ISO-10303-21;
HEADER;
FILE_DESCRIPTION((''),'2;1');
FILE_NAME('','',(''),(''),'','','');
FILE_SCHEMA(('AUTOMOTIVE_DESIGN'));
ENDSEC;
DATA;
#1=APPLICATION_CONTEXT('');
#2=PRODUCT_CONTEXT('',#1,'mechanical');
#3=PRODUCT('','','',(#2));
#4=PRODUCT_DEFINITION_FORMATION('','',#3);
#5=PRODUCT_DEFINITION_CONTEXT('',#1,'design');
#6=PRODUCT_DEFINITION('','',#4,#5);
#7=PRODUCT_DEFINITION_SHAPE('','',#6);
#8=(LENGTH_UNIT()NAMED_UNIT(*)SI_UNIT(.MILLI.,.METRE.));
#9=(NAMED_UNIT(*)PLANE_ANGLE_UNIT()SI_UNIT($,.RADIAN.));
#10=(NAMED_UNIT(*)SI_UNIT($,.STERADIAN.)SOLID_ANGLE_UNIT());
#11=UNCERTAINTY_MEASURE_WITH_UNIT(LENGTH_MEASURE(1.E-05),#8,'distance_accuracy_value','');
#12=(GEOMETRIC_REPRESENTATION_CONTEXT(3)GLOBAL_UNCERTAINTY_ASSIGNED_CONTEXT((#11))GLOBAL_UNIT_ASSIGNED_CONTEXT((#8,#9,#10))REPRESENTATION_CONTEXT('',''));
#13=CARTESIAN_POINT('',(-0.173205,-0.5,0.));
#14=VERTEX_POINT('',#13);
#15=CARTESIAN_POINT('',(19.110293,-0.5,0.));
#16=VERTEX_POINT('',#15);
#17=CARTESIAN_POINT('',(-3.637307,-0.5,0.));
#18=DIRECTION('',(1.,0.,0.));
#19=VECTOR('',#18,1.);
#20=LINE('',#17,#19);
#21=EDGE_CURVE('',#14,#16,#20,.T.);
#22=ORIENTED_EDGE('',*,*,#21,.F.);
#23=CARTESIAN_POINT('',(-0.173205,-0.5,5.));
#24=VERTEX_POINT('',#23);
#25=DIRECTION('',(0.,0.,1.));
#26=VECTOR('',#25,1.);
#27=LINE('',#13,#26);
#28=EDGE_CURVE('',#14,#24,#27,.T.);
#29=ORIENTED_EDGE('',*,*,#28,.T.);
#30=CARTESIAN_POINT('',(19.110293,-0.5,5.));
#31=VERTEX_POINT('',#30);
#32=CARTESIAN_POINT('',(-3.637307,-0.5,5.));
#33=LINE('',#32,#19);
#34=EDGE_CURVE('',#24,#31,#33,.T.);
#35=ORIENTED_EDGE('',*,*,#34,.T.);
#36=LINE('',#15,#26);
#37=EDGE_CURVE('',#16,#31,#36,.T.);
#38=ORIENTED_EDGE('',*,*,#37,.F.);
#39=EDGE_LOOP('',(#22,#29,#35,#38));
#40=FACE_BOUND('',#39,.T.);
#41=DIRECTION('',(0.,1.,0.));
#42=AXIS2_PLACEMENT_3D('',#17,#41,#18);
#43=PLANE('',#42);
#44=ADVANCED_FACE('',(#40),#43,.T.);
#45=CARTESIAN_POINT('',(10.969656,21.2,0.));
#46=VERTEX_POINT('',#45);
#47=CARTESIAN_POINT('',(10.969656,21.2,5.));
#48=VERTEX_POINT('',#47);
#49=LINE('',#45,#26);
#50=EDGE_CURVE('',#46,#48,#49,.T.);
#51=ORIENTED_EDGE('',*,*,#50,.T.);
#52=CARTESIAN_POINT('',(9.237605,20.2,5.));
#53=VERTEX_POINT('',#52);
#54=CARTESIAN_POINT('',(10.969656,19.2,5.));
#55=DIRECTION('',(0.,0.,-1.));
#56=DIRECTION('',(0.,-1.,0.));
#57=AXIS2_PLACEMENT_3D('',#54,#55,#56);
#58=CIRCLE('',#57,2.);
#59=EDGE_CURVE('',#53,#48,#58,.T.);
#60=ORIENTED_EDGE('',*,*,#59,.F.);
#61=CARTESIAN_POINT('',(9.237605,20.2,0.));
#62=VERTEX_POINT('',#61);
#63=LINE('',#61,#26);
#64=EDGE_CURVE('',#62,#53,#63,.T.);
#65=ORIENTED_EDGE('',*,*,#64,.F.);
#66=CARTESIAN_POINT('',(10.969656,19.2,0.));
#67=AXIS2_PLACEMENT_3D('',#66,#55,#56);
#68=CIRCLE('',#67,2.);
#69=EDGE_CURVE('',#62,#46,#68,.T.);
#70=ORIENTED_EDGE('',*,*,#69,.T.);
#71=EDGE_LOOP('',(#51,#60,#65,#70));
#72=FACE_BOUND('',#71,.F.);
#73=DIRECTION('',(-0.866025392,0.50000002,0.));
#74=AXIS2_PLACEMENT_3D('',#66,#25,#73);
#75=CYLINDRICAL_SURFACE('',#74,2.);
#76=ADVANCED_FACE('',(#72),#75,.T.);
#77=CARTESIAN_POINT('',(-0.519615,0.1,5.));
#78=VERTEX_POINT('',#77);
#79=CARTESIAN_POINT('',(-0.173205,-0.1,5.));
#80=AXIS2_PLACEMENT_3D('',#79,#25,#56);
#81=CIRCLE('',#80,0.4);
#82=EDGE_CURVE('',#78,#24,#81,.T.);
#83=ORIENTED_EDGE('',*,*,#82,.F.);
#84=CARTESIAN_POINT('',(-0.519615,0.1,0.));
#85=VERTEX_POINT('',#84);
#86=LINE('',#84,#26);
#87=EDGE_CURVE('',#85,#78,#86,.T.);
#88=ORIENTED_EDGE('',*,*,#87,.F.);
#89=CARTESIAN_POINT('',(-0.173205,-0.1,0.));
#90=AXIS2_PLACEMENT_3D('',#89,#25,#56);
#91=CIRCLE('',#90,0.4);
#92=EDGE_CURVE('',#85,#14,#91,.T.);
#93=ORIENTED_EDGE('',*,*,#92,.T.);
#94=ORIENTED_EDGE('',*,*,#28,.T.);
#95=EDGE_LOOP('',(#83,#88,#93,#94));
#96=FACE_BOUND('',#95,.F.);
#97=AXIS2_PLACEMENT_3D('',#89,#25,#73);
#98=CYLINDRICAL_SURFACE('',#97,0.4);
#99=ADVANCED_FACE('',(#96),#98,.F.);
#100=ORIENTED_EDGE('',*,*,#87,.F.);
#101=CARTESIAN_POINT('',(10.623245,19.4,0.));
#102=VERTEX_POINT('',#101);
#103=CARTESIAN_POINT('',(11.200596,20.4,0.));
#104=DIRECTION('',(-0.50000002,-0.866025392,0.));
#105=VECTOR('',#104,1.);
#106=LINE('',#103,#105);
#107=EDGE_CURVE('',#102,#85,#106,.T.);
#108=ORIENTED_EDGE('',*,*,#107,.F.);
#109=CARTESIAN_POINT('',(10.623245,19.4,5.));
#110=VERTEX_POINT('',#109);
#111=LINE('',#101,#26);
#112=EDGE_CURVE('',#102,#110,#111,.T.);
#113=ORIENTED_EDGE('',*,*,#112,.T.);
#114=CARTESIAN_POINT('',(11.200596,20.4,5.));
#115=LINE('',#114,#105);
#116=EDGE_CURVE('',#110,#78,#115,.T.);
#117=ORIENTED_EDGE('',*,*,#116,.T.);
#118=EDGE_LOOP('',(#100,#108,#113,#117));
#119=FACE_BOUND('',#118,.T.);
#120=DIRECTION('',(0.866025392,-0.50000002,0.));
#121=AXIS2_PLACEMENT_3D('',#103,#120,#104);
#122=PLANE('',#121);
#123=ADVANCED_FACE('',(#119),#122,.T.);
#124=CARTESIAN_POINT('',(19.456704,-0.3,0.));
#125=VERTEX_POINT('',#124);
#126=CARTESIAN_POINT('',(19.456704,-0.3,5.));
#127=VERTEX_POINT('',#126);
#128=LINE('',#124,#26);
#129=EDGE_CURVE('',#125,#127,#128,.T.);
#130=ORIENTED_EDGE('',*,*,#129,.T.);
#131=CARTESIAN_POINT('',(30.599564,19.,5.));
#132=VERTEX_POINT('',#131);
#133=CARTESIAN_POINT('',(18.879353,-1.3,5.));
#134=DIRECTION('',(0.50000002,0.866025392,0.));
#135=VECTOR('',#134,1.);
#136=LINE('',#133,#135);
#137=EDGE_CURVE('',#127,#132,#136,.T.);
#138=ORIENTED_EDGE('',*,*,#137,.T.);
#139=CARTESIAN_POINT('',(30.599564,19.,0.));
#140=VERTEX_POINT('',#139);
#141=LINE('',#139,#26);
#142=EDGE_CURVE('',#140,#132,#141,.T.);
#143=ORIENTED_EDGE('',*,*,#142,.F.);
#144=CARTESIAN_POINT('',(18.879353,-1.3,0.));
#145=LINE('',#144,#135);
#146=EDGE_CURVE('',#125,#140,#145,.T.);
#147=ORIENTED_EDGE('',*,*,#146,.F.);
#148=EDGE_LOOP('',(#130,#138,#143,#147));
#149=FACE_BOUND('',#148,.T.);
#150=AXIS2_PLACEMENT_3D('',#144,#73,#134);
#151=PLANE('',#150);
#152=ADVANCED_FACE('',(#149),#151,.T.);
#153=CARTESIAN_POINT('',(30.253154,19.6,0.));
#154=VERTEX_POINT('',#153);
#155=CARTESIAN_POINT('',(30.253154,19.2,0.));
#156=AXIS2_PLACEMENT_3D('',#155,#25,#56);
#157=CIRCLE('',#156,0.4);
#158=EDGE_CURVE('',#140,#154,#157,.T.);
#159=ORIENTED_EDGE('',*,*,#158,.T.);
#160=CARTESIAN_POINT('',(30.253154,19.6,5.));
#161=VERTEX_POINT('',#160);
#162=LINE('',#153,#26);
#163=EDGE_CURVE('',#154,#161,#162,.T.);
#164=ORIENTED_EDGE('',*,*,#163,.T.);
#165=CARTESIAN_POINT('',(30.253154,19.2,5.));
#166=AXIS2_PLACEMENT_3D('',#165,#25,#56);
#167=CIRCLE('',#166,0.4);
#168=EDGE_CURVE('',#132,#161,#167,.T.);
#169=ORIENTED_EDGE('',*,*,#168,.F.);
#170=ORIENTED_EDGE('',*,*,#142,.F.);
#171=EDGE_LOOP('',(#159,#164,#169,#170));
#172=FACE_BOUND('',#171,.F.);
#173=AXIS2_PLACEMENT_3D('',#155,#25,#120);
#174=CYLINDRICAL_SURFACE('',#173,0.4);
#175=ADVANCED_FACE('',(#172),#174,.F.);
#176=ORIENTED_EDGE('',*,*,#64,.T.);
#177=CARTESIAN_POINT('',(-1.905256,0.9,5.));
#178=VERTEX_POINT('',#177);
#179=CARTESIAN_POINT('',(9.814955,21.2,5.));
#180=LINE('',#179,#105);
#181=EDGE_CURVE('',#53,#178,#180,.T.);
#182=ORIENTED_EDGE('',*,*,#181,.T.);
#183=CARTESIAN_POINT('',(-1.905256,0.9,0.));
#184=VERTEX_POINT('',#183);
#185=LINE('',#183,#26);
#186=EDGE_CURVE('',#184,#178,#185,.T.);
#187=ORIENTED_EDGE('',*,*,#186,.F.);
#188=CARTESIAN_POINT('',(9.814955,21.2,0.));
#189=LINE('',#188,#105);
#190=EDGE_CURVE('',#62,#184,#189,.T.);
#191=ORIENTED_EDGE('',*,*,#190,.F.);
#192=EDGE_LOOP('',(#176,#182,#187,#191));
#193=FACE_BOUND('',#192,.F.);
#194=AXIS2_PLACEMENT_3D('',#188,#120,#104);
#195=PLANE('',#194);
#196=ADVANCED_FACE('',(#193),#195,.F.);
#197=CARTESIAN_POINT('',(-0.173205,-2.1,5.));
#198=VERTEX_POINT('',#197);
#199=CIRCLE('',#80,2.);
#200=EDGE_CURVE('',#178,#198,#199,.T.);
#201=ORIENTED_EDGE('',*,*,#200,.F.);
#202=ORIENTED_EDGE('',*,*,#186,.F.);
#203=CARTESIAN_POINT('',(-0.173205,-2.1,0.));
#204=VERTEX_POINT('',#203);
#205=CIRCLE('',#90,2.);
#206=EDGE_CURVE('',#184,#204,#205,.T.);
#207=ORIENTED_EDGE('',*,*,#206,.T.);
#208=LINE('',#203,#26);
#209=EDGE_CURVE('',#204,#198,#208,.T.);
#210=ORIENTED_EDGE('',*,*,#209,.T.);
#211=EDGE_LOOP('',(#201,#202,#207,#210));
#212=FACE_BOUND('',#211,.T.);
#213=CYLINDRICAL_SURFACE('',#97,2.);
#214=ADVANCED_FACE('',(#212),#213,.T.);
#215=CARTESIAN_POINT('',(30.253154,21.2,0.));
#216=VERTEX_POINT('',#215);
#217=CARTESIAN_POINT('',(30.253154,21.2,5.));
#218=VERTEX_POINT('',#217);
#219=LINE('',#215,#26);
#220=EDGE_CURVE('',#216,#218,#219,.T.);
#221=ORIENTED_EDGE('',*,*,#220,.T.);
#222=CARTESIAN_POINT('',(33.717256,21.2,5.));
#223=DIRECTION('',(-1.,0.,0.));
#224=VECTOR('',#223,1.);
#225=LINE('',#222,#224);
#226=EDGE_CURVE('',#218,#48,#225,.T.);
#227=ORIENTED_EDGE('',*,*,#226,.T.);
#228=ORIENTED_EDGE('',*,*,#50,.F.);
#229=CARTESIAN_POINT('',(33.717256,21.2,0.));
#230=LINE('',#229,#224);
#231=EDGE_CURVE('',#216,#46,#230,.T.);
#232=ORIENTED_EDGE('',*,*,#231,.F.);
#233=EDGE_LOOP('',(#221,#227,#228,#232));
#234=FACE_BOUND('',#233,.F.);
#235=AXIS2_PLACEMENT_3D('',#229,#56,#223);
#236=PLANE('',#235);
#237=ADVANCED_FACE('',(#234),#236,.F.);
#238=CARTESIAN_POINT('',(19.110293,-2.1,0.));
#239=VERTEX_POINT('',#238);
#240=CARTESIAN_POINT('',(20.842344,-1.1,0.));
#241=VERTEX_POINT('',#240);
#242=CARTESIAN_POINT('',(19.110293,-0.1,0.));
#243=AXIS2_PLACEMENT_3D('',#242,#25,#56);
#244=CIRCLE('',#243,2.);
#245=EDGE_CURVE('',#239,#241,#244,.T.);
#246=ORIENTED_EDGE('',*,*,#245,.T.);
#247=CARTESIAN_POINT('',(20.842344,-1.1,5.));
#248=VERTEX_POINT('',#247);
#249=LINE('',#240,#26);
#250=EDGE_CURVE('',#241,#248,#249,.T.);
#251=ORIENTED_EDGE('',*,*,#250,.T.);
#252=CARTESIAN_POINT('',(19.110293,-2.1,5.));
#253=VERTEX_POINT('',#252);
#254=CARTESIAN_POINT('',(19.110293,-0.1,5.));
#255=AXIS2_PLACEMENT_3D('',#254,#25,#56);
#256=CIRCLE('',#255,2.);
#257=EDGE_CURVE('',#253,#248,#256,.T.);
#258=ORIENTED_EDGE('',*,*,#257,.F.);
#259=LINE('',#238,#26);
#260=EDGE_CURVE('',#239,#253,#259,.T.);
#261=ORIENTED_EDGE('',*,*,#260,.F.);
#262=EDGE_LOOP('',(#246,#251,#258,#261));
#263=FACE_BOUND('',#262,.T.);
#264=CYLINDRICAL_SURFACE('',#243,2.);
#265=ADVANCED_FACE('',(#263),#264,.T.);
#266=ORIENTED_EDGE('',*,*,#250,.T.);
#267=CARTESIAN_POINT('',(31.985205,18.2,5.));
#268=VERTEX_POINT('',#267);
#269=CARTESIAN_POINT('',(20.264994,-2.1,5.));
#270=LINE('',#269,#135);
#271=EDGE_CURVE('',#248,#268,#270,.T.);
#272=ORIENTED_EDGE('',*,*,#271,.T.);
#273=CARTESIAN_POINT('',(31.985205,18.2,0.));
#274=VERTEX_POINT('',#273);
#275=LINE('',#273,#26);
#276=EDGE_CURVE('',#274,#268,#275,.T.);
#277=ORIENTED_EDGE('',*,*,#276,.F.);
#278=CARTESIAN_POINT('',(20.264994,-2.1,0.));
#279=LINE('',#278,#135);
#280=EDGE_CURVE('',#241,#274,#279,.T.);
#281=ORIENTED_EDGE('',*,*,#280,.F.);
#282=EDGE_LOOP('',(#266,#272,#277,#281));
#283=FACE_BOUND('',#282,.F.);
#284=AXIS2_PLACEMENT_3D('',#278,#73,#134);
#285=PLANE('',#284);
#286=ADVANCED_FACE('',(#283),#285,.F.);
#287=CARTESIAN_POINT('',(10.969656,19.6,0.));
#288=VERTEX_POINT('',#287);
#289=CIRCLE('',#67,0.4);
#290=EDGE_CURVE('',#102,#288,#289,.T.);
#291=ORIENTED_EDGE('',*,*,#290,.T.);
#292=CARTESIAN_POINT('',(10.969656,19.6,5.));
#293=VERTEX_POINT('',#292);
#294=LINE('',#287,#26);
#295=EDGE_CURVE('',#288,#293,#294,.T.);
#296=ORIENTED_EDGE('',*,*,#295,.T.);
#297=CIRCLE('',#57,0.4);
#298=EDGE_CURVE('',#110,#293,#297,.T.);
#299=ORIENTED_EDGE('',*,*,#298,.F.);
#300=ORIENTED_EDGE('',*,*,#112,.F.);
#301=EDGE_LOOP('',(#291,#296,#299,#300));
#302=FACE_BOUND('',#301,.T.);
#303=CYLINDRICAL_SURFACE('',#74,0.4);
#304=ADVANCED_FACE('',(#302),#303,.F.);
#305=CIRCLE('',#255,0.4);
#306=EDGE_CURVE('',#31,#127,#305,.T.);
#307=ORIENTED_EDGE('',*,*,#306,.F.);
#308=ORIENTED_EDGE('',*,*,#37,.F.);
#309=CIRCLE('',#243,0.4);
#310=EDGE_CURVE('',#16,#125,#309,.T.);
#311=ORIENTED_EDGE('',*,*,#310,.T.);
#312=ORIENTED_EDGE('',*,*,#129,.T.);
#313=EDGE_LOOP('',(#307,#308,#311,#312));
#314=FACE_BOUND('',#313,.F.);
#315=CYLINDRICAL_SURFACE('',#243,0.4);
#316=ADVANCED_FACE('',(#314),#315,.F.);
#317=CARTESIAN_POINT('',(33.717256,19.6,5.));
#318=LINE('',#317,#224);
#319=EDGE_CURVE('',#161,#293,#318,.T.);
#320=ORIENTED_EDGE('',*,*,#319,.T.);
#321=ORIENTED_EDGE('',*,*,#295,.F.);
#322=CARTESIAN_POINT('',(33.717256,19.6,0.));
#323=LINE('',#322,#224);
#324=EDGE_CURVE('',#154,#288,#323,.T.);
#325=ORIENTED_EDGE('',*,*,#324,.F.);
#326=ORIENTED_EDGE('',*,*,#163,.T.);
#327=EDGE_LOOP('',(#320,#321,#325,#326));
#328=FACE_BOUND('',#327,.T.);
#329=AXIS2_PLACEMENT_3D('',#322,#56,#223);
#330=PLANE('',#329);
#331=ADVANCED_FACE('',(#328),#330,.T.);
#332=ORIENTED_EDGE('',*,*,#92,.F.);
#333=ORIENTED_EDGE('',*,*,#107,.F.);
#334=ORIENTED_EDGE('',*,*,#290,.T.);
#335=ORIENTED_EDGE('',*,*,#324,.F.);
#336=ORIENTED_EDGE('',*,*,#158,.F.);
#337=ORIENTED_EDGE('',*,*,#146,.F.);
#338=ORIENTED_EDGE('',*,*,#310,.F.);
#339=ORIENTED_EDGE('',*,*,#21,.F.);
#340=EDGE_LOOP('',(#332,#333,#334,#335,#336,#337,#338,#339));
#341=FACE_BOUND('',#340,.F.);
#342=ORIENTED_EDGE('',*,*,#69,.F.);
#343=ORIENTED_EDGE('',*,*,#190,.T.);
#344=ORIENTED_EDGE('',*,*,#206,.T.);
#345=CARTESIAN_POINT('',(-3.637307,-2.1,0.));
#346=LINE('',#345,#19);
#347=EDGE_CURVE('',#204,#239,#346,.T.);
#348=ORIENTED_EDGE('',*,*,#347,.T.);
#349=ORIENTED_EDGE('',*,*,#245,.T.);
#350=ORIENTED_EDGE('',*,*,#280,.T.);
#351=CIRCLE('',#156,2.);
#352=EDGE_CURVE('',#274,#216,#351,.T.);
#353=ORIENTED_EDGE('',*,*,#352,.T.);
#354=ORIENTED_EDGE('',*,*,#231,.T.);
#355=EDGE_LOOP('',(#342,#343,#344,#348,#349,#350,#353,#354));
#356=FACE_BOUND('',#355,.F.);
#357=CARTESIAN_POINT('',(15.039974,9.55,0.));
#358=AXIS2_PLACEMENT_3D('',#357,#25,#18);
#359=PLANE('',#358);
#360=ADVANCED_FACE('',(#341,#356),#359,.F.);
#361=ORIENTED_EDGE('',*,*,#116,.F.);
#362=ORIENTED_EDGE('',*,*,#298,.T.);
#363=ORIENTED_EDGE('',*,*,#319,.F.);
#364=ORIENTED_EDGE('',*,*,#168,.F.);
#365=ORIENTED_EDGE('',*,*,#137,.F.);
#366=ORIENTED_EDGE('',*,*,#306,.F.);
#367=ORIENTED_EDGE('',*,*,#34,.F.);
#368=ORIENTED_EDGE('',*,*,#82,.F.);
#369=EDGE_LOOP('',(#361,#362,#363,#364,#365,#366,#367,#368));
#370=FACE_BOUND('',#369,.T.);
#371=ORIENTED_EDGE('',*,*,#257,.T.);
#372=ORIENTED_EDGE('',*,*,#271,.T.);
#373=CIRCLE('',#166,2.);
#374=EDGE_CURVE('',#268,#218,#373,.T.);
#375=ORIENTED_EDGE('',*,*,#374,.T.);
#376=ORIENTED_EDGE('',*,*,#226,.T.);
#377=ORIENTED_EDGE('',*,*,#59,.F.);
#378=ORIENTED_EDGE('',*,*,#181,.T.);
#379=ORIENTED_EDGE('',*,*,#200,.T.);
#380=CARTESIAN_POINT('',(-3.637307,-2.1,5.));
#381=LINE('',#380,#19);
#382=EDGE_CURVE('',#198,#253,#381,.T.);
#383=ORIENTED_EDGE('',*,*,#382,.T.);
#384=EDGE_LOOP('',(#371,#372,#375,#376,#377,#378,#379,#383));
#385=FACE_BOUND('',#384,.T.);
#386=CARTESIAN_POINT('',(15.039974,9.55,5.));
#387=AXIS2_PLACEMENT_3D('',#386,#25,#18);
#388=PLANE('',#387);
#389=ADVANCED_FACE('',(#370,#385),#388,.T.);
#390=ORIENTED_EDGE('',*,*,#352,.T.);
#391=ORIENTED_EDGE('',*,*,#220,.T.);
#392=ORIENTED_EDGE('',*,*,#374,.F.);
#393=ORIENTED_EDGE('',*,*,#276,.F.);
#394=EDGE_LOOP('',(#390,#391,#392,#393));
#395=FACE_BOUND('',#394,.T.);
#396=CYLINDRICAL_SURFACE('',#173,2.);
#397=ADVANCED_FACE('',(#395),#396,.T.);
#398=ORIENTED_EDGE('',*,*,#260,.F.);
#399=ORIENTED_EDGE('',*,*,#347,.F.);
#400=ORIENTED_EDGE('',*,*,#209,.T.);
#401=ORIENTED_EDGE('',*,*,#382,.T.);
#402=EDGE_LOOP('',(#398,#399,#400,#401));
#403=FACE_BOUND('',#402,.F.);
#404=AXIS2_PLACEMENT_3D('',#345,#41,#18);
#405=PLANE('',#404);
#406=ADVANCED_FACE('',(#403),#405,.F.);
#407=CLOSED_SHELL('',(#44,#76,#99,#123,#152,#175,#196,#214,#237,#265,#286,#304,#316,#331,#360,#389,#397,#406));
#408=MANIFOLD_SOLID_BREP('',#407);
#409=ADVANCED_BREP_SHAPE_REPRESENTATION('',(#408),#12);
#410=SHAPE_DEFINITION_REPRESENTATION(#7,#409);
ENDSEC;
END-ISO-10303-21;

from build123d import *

# Parameters (mm, degrees)
F1_DEPTH = 5
F2_R     = 2
F3_T     = -1.6


with BuildPart() as f1:
    # F0 (on Top) → F1 (new body)
    with BuildSketch(Plane.XY):
        Polygon((9.814955, 21.2), (-3.637307, -2.1), (20.264994, -2.1), (33.717256, 21.2), align=None)
        Polygon((19.052559, 0), (0, 0), (11.02739, 19.1), (30.079949, 19.1), align=None, mode=Mode.SUBTRACT)
        Polygon((11.02739, 19.1), (0, 0), (19.052559, 0), (30.079949, 19.1), align=None)
    extrude(amount=F1_DEPTH)

    # F2
    f2_edges = [f1.edges().sort_by_distance(p)[0] for p in [
        (-3.637307, -2.1, 2.5),
        (20.264994, -2.1, 2.5),
        (33.717256, 21.2, 2.5),
        (9.814955, 21.2, 2.5),
    ]]
    fillet(f2_edges, radius=F2_R)

    # F3
    f3_openings = [f1.faces().sort_by_distance(p)[0] for p in [
        (15.039975, 9.55, 5),
        (15.039975, 9.55, 0),
    ]]
    offset(amount=F3_T, openings=f3_openings)


solid = f1.part
